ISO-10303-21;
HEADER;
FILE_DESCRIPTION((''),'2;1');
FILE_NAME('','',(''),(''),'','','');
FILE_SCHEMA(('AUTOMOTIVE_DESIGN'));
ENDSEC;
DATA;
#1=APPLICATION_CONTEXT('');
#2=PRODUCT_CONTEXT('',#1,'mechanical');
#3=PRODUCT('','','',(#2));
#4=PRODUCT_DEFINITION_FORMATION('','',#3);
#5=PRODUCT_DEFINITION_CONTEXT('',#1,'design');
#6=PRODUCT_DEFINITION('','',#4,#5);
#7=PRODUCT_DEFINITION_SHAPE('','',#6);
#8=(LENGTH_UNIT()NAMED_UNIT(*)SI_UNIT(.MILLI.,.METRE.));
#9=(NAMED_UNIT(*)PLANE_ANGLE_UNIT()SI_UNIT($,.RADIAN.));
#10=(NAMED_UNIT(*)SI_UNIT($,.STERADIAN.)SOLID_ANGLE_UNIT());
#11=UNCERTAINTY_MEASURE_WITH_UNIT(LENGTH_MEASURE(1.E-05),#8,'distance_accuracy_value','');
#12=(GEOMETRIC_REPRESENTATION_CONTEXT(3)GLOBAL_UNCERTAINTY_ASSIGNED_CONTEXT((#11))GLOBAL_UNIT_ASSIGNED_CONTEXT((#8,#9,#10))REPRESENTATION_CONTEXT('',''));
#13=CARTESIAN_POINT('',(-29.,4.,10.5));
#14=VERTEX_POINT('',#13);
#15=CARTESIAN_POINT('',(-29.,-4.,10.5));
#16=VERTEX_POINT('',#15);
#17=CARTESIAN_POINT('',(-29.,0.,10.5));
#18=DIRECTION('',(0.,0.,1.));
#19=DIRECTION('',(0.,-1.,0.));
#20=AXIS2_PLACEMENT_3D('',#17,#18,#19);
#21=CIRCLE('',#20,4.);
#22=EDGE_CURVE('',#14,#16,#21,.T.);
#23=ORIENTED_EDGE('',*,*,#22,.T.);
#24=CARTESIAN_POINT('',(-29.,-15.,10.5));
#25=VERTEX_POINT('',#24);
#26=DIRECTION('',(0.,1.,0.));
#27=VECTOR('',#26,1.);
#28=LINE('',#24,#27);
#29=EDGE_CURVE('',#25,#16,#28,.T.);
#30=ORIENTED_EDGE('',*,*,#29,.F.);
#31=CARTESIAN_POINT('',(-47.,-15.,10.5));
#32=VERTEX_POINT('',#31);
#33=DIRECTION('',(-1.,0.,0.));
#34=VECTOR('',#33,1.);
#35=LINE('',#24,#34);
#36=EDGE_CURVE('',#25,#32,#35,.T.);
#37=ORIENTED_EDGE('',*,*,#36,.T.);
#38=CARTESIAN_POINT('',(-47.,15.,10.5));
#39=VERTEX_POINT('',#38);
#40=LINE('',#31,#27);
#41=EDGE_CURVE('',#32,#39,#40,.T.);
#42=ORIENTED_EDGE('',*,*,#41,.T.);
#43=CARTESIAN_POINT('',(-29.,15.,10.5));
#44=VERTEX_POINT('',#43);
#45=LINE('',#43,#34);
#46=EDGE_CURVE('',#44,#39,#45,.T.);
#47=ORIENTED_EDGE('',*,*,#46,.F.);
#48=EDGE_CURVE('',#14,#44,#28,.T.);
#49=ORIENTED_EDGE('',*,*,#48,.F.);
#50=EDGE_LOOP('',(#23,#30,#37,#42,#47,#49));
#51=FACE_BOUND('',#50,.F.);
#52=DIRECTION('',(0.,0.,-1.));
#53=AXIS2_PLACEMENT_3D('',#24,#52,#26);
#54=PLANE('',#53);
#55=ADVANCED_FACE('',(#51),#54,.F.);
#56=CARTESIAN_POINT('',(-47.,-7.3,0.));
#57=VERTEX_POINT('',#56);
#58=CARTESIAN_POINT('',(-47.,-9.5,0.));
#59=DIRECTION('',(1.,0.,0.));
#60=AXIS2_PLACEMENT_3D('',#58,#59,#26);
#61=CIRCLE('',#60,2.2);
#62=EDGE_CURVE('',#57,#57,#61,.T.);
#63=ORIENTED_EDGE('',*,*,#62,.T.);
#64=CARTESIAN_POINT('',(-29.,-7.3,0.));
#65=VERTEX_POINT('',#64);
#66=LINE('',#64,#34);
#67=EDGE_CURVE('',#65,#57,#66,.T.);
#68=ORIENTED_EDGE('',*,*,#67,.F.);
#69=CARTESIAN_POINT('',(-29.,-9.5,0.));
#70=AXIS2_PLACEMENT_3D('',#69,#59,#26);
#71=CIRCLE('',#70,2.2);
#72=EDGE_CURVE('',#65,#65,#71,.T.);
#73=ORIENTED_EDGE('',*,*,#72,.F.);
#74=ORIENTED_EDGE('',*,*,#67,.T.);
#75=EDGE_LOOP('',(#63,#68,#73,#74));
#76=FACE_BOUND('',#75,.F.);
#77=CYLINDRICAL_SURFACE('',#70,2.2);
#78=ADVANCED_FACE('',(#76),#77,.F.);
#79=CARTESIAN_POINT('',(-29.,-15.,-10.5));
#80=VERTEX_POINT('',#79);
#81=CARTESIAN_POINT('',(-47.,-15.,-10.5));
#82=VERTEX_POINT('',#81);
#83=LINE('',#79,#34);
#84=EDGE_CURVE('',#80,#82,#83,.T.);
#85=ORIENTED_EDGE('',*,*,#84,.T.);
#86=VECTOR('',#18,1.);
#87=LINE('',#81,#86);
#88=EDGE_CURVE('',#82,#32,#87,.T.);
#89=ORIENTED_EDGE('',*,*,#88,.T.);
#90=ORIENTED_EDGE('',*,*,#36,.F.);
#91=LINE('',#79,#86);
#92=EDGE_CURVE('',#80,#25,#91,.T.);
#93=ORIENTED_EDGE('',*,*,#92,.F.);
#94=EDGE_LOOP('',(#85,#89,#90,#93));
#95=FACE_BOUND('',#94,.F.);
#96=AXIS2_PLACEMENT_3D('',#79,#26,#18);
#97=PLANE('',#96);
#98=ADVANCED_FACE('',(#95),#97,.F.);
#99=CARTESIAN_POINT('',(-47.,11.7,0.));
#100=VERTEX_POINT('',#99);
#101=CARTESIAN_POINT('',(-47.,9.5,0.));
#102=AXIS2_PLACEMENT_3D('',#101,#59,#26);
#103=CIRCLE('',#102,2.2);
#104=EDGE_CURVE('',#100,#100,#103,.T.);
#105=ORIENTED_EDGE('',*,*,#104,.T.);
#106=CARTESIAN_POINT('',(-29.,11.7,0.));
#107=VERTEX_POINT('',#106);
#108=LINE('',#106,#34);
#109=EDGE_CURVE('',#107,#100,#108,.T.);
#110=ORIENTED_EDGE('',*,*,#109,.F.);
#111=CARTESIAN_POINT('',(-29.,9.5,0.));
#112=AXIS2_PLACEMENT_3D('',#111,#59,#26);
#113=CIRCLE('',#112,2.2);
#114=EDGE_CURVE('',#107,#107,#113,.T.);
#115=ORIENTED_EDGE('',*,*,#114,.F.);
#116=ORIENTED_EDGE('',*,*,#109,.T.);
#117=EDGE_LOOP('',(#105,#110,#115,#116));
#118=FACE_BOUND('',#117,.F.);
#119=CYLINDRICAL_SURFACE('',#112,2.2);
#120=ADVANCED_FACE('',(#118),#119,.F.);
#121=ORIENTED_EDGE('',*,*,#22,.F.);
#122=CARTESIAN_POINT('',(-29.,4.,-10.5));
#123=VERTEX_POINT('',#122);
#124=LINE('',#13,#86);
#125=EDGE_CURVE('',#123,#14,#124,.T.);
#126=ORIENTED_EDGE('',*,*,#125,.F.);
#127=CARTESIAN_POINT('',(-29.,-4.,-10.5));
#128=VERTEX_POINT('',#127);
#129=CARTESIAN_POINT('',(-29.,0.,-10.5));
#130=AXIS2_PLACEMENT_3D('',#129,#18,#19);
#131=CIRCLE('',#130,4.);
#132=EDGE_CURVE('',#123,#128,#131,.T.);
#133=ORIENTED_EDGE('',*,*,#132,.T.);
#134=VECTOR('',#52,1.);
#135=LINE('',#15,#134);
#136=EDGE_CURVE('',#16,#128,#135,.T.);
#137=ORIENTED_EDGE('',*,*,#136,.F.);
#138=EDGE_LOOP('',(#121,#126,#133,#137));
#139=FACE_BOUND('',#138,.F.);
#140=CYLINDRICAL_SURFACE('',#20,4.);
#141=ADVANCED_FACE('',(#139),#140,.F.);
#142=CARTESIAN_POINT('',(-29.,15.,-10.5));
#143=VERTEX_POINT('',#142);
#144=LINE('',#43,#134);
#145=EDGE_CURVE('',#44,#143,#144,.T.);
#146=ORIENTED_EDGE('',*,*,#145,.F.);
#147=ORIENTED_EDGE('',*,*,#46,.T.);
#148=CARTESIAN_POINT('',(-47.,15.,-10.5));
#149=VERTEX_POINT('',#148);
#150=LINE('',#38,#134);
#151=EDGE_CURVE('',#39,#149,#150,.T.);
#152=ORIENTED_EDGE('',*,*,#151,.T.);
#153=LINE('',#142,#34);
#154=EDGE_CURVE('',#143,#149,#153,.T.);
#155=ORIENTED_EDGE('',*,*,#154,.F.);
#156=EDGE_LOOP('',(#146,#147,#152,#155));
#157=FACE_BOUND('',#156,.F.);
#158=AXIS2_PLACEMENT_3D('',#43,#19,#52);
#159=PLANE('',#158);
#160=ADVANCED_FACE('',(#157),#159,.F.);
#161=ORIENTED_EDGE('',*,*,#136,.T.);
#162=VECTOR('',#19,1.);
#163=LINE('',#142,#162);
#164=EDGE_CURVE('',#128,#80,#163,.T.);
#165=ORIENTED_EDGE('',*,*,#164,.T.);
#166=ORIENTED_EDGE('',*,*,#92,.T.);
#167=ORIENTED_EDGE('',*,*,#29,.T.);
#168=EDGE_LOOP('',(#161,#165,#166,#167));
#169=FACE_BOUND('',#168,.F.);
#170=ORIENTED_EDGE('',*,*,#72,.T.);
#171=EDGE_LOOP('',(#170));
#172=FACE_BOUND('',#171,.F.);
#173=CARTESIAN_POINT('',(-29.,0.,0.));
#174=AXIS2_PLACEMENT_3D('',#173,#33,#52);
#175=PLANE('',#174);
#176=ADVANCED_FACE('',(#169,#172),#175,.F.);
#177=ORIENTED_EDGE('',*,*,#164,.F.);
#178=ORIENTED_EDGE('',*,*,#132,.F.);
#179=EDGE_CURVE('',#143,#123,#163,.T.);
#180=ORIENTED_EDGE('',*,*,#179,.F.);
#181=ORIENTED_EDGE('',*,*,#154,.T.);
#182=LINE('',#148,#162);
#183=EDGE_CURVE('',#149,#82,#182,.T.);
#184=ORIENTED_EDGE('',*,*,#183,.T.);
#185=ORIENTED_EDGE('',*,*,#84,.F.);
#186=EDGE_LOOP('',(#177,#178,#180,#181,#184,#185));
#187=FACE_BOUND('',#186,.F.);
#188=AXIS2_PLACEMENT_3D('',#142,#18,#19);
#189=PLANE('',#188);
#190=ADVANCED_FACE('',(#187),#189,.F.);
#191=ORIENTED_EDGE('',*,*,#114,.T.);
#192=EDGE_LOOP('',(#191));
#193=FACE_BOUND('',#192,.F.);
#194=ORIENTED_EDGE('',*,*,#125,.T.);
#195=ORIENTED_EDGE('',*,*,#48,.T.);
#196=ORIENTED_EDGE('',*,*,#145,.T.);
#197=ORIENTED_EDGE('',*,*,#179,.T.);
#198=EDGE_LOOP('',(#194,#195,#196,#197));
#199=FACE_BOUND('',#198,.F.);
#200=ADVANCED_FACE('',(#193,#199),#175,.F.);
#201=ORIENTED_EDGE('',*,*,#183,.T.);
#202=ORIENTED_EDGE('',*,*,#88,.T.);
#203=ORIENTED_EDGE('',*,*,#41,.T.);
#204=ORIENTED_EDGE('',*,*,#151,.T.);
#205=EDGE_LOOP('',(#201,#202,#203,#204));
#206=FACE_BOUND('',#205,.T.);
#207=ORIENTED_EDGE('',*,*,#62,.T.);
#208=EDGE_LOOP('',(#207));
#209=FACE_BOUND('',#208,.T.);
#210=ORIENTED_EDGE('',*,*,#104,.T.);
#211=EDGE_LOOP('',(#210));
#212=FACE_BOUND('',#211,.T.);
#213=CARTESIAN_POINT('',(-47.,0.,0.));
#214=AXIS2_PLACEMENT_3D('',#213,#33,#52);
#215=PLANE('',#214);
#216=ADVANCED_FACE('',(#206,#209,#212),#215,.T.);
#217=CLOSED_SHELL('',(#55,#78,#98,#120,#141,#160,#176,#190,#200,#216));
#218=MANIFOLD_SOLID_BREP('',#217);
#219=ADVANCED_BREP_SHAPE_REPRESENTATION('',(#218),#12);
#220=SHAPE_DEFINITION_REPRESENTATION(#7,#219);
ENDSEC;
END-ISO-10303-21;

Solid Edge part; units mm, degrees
sketch "Sketch1" plane through (-29, 0, 0) normal (1, 0, 0) x (0, 1, 0)
  circle A0 centre (-9.5, 0) radius 2.2
  line L0 (15, -10.5) -> (-15, -10.5)
  line L1 (-15, -10.5) -> (-15, 10.5)
  line L2 (-15, 10.5) -> (15, 10.5)
  line L3 (15, 10.5) -> (15, -10.5)
  circle A1 centre (9.5, 0) radius 2.2
  dimension "D1" = 15
  dimension "D2" = 15
extrude "ExtrudedProtrusion_1" add sketch "Sketch1" against normal blind 18
sketch "Sketch2" plane through (-36.5, 0, 10.5) normal (0, 0, 1) x (0, -1, 0)
  circle A0 centre (0, 7.5) radius 4
extrude "Cutout1" cut sketch "Sketch2" against normal through all
